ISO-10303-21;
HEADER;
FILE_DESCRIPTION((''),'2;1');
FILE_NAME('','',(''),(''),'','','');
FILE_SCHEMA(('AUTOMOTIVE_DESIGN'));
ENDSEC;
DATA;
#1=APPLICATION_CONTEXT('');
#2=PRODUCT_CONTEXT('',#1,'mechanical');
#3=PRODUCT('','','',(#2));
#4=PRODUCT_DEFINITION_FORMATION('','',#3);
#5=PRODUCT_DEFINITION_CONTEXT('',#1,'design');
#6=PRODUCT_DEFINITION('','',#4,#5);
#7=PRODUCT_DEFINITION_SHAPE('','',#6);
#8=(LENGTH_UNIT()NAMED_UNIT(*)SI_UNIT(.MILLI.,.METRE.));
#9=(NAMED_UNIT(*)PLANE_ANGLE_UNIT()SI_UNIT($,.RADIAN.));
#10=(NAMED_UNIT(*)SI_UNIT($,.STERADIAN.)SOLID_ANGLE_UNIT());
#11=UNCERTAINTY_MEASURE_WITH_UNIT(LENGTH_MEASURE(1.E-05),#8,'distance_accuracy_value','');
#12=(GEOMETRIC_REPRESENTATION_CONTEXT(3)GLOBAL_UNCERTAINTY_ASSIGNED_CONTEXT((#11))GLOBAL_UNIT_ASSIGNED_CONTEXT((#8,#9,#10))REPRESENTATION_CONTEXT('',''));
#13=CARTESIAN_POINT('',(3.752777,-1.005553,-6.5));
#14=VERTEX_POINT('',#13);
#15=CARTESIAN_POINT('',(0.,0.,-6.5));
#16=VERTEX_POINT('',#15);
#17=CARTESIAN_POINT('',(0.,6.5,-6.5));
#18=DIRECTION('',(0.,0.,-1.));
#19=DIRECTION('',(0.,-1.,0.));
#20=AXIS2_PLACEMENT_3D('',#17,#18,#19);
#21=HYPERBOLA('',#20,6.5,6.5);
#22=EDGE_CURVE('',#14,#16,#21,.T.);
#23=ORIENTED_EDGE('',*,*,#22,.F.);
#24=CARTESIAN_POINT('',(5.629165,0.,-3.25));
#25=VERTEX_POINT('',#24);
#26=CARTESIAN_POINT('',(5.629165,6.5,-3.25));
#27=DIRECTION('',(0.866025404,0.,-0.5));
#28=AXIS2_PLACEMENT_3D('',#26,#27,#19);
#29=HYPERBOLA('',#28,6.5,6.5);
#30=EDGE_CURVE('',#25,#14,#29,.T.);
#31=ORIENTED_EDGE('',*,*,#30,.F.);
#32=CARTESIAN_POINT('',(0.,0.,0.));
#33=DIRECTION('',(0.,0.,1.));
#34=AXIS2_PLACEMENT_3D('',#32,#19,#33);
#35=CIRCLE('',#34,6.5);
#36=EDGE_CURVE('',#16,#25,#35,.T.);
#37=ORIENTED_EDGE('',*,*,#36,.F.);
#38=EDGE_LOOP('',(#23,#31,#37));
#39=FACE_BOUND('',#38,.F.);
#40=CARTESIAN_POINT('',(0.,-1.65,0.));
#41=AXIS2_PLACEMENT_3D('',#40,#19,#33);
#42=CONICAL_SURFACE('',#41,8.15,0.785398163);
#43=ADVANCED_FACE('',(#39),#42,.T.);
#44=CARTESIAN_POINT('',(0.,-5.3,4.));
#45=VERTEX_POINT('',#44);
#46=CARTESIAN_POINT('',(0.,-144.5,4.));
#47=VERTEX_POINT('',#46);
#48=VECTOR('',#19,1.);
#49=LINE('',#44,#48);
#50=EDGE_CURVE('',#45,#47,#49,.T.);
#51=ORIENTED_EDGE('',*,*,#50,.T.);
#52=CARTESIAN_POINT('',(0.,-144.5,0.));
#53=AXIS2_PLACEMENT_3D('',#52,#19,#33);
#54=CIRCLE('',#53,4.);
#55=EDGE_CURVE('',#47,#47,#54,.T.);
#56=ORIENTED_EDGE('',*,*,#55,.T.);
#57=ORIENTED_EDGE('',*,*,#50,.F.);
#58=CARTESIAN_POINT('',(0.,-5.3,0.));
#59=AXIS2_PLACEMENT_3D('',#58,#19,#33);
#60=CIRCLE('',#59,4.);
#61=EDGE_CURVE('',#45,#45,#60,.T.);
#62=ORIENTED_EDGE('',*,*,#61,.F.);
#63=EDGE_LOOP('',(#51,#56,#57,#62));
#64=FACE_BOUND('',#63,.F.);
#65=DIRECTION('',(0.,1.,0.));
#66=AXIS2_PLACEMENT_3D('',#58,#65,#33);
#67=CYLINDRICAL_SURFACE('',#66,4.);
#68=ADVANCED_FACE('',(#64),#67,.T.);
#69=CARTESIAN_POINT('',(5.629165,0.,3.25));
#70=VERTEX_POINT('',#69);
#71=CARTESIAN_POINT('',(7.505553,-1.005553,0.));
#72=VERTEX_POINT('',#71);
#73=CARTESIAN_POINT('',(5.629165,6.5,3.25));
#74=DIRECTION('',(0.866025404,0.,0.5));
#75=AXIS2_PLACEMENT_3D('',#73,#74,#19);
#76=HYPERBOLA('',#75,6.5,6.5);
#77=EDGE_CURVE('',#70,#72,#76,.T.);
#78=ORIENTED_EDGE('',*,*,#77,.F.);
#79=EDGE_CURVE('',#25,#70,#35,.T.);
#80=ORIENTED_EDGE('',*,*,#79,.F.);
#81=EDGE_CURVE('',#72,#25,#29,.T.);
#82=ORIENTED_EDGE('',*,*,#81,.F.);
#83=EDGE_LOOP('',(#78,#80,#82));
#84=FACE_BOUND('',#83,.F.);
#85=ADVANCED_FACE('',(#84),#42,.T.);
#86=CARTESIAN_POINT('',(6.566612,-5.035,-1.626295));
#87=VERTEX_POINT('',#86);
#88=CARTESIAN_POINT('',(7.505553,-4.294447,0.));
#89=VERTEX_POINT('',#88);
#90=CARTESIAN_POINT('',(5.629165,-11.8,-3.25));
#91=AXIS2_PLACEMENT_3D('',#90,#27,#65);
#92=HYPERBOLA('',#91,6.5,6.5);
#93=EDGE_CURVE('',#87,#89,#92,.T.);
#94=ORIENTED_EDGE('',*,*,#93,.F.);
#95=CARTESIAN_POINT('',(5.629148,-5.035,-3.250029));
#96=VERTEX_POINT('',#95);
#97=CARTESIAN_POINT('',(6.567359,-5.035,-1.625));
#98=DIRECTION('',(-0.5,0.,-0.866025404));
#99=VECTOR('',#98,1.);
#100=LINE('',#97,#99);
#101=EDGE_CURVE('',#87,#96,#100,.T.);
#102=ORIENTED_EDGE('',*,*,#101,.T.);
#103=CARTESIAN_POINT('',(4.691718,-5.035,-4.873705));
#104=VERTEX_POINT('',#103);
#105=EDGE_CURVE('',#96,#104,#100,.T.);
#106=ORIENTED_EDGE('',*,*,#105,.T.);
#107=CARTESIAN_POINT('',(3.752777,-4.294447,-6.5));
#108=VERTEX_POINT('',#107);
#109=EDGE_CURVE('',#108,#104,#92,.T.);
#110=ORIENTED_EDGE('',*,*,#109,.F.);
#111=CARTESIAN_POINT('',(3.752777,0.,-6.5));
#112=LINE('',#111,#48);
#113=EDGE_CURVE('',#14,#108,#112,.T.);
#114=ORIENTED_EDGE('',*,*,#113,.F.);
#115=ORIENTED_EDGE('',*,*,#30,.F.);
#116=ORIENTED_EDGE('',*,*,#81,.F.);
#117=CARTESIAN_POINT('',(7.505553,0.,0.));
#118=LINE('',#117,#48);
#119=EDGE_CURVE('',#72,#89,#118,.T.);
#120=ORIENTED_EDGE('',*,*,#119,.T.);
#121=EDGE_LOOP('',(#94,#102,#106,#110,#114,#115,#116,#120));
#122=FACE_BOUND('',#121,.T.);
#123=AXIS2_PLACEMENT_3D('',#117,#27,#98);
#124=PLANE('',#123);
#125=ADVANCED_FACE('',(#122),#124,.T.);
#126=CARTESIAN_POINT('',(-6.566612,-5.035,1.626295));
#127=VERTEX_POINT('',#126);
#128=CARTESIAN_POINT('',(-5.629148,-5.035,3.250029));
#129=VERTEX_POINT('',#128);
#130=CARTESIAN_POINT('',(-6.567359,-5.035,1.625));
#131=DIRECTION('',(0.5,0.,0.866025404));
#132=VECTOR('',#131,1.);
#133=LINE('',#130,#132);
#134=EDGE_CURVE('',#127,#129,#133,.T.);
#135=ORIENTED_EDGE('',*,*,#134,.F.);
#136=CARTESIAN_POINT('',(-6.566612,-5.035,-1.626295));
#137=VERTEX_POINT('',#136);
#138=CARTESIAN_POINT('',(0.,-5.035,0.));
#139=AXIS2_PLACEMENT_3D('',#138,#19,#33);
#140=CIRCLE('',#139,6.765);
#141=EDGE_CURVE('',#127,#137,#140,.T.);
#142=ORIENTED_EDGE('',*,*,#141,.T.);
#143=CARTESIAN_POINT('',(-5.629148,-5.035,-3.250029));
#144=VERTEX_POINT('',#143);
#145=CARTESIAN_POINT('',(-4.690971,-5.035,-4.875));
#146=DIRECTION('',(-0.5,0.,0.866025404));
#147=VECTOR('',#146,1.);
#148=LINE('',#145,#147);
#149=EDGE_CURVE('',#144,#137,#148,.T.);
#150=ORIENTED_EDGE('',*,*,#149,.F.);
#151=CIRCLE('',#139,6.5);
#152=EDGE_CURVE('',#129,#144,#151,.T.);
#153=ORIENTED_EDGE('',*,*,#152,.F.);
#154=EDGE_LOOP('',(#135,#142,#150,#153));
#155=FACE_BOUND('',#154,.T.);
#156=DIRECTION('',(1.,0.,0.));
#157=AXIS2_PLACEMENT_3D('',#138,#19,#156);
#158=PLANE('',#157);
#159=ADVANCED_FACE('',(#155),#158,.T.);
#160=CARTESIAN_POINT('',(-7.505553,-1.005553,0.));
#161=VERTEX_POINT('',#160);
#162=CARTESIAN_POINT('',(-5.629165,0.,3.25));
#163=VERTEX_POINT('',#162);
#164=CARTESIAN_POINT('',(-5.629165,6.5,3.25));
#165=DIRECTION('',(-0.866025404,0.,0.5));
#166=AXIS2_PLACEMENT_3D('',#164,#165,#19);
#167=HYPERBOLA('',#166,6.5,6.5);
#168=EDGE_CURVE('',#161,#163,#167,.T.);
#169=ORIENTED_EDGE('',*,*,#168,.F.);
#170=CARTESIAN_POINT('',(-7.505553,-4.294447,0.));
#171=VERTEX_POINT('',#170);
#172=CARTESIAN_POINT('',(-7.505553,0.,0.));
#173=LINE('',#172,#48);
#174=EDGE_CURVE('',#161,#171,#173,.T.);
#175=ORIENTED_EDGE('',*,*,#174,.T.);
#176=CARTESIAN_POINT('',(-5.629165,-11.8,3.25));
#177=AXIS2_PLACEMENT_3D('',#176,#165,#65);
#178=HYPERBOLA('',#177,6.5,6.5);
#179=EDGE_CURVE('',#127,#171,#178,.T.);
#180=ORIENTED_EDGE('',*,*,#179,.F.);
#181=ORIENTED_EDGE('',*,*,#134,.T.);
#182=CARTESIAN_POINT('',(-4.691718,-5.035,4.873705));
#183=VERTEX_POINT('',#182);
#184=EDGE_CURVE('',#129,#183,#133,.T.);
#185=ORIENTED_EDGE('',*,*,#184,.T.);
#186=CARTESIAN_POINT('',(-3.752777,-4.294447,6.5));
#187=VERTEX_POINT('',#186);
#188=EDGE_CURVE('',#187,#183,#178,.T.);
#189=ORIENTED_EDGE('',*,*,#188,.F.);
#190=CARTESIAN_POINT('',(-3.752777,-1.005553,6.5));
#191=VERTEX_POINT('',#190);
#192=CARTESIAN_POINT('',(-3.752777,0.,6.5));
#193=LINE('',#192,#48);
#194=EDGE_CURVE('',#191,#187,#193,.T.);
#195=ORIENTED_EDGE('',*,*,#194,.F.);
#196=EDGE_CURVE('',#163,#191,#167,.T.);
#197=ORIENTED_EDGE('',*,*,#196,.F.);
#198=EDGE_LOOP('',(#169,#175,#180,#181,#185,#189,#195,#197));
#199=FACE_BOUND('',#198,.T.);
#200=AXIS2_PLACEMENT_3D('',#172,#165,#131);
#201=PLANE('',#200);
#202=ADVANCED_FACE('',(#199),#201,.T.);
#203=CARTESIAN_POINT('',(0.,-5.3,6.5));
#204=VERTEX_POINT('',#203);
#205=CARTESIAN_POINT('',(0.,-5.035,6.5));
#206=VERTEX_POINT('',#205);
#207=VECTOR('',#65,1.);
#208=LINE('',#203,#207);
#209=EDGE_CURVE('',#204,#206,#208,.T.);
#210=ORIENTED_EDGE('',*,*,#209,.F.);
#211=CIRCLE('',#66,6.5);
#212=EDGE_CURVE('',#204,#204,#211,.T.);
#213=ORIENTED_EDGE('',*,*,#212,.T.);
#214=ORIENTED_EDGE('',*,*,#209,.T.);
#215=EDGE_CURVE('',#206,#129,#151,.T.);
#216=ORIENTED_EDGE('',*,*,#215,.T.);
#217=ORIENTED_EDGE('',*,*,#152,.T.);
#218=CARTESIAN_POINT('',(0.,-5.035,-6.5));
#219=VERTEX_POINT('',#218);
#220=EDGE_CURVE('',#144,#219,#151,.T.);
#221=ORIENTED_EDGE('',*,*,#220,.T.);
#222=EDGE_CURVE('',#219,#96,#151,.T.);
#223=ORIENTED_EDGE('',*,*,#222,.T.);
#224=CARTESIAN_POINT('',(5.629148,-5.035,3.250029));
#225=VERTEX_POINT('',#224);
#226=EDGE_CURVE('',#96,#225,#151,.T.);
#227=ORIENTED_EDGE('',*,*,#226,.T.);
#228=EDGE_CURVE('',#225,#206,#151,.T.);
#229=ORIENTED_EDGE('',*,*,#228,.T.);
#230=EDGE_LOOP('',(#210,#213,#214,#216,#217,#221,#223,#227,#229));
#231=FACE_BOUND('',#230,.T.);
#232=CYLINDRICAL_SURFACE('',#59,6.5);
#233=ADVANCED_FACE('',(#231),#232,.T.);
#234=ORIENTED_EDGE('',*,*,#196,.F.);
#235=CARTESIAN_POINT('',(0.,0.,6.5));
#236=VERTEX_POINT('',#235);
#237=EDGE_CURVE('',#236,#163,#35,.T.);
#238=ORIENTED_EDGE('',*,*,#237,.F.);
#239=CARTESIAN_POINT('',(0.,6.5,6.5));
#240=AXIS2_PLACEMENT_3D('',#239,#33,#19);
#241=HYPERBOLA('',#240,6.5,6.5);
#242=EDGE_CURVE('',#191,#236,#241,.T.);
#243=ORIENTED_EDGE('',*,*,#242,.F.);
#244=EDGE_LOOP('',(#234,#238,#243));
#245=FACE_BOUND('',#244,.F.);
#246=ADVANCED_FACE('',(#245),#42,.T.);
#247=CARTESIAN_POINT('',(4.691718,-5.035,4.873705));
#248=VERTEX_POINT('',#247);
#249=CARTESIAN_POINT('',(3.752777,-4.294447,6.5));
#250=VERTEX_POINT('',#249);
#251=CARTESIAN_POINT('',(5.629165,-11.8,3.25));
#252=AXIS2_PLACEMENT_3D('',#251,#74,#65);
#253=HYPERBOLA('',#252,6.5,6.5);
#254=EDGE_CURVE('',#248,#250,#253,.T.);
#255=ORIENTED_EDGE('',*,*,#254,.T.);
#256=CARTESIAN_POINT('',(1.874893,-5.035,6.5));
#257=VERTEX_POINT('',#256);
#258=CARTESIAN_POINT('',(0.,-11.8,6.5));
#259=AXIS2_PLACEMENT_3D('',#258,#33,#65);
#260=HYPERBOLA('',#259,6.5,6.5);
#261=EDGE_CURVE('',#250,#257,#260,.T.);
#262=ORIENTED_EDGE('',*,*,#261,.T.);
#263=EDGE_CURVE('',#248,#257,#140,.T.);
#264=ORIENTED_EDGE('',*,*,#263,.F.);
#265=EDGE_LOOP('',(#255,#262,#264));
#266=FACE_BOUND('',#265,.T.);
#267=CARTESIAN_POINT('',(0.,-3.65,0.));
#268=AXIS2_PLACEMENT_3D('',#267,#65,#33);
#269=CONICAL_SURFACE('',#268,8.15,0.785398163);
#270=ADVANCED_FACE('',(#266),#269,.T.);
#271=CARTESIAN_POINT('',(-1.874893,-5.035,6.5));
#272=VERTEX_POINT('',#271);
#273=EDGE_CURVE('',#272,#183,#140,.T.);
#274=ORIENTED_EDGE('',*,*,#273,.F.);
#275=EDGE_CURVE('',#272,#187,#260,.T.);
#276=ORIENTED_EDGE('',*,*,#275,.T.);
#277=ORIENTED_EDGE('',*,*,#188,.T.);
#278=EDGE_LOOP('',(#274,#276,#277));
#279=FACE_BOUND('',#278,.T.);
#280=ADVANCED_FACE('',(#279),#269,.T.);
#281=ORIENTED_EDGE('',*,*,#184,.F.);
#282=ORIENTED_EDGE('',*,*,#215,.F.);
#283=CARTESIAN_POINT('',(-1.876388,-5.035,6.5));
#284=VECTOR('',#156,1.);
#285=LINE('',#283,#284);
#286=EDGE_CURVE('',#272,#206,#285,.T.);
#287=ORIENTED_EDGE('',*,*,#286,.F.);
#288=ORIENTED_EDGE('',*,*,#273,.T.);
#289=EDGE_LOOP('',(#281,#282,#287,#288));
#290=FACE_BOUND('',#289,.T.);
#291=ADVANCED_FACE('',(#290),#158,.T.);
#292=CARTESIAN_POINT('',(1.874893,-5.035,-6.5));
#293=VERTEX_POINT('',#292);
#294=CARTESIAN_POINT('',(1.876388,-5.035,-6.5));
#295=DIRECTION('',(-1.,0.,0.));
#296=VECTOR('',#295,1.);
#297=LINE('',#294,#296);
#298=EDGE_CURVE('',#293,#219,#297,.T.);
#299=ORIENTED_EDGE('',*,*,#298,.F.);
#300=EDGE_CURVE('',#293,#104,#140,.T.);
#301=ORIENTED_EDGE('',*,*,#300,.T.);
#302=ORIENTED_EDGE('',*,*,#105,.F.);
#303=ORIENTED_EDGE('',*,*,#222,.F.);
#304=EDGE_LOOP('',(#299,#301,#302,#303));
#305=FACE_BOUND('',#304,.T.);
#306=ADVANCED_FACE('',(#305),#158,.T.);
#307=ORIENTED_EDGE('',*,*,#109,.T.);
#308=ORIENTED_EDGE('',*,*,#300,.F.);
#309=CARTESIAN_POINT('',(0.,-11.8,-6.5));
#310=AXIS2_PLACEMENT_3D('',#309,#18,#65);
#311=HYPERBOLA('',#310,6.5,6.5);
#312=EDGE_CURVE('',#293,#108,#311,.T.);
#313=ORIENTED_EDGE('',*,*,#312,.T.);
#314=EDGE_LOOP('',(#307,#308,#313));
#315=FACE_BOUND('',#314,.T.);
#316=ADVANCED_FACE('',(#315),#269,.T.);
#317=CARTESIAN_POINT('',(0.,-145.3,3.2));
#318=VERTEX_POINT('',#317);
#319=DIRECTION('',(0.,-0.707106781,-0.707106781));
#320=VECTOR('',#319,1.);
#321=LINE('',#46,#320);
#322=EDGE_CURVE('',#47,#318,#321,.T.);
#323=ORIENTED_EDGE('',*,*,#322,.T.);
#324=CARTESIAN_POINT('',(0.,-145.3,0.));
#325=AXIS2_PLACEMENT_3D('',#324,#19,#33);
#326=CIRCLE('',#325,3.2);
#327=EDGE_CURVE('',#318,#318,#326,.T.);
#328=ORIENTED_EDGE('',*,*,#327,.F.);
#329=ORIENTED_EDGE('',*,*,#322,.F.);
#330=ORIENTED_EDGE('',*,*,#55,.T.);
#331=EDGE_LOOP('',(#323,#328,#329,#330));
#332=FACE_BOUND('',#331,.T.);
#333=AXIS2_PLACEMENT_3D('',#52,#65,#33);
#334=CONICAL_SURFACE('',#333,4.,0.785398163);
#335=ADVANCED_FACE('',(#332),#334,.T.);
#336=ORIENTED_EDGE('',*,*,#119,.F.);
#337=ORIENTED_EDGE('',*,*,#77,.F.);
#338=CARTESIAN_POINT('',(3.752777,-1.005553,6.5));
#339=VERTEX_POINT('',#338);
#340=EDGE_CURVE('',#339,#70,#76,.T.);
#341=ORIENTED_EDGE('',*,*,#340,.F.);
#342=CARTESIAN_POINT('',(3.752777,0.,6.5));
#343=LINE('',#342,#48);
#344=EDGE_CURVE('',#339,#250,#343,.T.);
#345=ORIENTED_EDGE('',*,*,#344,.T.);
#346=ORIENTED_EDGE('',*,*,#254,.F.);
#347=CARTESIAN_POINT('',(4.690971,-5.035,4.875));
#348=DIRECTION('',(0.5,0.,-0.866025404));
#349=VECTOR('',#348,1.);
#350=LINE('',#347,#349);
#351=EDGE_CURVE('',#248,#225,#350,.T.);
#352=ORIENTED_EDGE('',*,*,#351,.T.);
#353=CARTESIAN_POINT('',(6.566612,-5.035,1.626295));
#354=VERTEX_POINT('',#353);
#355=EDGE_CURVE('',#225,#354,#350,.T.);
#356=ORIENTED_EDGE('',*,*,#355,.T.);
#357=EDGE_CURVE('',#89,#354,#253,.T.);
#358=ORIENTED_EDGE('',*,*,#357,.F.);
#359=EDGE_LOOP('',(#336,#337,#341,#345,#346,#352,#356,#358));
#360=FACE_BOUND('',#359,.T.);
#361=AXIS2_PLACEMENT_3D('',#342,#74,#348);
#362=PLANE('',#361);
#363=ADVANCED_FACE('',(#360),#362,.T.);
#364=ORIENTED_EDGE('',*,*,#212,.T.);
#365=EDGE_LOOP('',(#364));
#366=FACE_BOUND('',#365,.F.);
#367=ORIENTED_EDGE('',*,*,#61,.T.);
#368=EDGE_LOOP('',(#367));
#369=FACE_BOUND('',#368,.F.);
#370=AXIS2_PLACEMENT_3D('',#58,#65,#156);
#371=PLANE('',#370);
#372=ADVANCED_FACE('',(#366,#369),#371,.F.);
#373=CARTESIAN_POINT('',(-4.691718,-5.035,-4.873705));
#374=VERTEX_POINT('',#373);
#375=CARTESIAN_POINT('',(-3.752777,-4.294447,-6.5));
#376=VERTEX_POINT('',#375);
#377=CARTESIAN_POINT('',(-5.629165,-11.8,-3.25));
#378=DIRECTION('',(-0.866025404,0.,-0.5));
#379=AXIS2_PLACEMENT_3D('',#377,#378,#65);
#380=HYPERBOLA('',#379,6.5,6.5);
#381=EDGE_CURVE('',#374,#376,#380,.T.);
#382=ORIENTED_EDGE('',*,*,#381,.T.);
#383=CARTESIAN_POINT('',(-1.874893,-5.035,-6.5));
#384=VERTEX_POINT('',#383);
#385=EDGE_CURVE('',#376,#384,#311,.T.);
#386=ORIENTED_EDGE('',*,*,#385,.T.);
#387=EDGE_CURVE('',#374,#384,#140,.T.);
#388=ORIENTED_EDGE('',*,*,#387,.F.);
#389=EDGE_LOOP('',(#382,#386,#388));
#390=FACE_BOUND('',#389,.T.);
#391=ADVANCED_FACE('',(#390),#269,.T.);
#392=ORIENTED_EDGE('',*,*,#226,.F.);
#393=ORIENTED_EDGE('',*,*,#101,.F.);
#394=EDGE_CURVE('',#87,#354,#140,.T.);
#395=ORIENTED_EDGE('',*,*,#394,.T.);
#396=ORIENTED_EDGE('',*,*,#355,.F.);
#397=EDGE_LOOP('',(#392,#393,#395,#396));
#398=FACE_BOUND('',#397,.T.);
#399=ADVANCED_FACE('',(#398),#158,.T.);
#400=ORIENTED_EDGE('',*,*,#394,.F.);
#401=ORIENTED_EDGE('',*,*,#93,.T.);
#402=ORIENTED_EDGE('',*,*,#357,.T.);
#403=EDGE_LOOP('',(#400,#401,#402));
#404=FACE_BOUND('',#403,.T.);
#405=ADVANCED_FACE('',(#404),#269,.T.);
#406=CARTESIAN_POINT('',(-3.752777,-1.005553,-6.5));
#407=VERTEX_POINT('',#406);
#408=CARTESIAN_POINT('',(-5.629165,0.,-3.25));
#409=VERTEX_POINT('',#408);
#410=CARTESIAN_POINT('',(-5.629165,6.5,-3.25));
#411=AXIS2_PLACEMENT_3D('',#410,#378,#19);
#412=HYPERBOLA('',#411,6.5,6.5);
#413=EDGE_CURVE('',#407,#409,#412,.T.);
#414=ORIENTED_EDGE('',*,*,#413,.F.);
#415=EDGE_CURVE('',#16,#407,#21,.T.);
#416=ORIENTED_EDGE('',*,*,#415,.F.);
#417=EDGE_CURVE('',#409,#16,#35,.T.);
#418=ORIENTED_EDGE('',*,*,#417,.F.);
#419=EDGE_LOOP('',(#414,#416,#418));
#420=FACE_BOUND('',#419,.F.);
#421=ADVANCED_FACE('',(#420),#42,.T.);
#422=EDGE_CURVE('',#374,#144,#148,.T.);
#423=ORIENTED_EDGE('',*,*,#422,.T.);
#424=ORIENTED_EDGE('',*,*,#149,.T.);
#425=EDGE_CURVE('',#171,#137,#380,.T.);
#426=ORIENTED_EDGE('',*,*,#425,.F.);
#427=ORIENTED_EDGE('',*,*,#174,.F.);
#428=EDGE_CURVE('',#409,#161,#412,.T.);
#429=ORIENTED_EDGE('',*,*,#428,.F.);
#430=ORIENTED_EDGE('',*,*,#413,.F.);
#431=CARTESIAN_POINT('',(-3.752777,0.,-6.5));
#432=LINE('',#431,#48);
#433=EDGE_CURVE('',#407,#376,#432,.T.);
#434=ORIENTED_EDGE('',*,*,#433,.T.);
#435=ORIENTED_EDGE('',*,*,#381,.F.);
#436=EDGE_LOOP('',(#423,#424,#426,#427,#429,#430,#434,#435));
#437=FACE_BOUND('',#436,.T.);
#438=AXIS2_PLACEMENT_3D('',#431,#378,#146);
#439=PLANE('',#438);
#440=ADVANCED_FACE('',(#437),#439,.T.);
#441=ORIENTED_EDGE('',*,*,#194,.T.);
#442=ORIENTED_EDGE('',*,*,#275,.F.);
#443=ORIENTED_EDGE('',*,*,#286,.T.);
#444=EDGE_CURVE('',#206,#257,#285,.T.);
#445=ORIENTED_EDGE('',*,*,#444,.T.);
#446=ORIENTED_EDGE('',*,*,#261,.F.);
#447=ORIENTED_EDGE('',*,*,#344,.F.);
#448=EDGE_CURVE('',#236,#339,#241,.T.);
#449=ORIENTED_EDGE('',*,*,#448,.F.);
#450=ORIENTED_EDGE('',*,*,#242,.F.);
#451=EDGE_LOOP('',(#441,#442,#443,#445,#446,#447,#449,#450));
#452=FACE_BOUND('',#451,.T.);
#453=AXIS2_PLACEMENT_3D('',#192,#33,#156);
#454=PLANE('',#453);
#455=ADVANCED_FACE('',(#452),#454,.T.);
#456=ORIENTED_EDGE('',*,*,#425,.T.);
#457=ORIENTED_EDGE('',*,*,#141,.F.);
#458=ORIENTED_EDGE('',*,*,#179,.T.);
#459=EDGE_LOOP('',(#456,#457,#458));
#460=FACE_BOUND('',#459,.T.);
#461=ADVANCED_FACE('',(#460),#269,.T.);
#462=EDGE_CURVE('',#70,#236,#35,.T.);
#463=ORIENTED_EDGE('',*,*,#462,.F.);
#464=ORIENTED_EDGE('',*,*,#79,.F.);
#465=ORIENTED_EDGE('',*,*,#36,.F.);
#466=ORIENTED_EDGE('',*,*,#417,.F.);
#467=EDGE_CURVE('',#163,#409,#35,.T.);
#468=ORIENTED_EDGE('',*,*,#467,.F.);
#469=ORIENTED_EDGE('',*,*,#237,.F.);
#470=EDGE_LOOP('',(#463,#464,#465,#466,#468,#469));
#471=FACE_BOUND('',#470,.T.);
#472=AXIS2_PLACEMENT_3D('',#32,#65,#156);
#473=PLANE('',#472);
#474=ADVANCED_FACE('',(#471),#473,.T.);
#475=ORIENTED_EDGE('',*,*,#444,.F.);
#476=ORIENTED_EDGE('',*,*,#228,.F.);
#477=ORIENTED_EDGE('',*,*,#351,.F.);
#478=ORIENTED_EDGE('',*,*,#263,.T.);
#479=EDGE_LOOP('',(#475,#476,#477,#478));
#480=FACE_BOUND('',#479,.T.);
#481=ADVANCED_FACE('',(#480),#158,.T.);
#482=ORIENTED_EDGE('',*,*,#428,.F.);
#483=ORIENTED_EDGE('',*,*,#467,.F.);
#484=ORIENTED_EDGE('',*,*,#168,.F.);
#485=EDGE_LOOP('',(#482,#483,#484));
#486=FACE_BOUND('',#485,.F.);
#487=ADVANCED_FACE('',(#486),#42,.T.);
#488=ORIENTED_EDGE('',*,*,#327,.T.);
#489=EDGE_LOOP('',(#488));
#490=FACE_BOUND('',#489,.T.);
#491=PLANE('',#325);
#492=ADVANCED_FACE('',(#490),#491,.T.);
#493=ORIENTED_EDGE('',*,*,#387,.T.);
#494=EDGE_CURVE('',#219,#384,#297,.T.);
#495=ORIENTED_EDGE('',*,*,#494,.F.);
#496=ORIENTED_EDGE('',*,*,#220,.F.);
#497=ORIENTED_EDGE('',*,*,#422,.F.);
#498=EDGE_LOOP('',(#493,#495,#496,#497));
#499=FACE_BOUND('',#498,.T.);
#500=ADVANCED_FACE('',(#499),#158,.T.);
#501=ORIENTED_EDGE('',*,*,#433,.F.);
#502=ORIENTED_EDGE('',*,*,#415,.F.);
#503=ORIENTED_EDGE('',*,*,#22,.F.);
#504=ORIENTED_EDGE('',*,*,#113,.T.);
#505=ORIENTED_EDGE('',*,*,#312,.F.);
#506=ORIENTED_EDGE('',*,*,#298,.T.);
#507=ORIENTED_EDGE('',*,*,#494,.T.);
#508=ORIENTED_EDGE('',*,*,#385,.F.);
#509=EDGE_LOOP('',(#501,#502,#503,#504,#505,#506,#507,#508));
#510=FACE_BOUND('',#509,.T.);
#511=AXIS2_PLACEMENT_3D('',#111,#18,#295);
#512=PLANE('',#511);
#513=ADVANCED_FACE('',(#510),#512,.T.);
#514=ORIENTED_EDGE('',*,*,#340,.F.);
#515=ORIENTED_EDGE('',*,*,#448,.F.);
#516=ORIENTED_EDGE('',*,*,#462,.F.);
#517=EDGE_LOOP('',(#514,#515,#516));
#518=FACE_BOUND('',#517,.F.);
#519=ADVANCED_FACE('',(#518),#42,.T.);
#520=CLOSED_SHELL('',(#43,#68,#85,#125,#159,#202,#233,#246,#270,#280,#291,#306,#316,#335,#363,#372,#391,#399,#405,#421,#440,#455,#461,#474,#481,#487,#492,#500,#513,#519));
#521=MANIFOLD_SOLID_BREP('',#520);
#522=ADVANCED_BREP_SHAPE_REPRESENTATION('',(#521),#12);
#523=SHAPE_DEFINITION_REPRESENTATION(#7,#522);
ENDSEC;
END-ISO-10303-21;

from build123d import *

# Parameters (mm, degrees)
BOSS_EXTRUDE1_DEPTH = 5.3
SKETCH2_OUTSIDE_W   = 21.122
SKETCH2_OUTSIDE_H   = 19.11
SKETCH2_OUTSIDE_R   = 6.5
CUT_EXTRUDE1_DEPTH  = 0.265
SKETCH3_R           = 4
BOSS_EXTRUDE2_DEPTH = 140
CHAMFER1_SIZE       = 0.8


with BuildPart() as part:
    # Sketch1 → Boss-Extrude1 (new body)
    with BuildSketch(Plane(origin=(0, 0, 0), x_dir=(1, 0, 0), z_dir=(0, 1, 0))):
        Polygon((7.505553499, 0), (3.75277675, 6.5), (-3.75277675, 6.5), (-7.505553499, 0), (-3.75277675, -6.5), (3.75277675, -6.5), align=None)
    extrude(amount=-BOSS_EXTRUDE1_DEPTH)

    # Sketch4 → Cut-Revolve1 (revolve, cut)
    with BuildSketch(Plane(origin=(0, 0, 0), x_dir=(0, 0, -1), z_dir=(1, 0, 0))):
        Polygon((-6.5, 0), (-8.15, 0), (-8.15, -1.65), align=None)
        Polygon((-8.15, -3.65), (-6.5, -5.3), (-8.15, -5.3), align=None)
    revolve(axis=Axis((0, 0, 0), (0, -1, 0)), mode=Mode.SUBTRACT)

    # Sketch2 outside → Cut-Extrude1 (cut)
    with BuildSketch(Plane.XZ.offset(5.3)):
        Rectangle(SKETCH2_OUTSIDE_W, SKETCH2_OUTSIDE_H)
        with Locations(Location((0, 0, 0), (0, 0, 90))):
            Circle(SKETCH2_OUTSIDE_R, mode=Mode.SUBTRACT)
    extrude(amount=-CUT_EXTRUDE1_DEPTH, mode=Mode.SUBTRACT)

    # Sketch3 → Boss-Extrude2 (add)
    with BuildSketch(Plane.XZ.offset(5.3)):
        with Locations(Location((0, 0, 0), (0, 0, 90))):
            Circle(SKETCH3_R)
    extrude(amount=BOSS_EXTRUDE2_DEPTH)

    # Chamfer1
    chamfer1_edges = [part.edges().sort_by_distance(p)[0] for p in [
        (0, -145.3, -4),
    ]]
    chamfer(chamfer1_edges, length=CHAMFER1_SIZE)


solid = part.part
